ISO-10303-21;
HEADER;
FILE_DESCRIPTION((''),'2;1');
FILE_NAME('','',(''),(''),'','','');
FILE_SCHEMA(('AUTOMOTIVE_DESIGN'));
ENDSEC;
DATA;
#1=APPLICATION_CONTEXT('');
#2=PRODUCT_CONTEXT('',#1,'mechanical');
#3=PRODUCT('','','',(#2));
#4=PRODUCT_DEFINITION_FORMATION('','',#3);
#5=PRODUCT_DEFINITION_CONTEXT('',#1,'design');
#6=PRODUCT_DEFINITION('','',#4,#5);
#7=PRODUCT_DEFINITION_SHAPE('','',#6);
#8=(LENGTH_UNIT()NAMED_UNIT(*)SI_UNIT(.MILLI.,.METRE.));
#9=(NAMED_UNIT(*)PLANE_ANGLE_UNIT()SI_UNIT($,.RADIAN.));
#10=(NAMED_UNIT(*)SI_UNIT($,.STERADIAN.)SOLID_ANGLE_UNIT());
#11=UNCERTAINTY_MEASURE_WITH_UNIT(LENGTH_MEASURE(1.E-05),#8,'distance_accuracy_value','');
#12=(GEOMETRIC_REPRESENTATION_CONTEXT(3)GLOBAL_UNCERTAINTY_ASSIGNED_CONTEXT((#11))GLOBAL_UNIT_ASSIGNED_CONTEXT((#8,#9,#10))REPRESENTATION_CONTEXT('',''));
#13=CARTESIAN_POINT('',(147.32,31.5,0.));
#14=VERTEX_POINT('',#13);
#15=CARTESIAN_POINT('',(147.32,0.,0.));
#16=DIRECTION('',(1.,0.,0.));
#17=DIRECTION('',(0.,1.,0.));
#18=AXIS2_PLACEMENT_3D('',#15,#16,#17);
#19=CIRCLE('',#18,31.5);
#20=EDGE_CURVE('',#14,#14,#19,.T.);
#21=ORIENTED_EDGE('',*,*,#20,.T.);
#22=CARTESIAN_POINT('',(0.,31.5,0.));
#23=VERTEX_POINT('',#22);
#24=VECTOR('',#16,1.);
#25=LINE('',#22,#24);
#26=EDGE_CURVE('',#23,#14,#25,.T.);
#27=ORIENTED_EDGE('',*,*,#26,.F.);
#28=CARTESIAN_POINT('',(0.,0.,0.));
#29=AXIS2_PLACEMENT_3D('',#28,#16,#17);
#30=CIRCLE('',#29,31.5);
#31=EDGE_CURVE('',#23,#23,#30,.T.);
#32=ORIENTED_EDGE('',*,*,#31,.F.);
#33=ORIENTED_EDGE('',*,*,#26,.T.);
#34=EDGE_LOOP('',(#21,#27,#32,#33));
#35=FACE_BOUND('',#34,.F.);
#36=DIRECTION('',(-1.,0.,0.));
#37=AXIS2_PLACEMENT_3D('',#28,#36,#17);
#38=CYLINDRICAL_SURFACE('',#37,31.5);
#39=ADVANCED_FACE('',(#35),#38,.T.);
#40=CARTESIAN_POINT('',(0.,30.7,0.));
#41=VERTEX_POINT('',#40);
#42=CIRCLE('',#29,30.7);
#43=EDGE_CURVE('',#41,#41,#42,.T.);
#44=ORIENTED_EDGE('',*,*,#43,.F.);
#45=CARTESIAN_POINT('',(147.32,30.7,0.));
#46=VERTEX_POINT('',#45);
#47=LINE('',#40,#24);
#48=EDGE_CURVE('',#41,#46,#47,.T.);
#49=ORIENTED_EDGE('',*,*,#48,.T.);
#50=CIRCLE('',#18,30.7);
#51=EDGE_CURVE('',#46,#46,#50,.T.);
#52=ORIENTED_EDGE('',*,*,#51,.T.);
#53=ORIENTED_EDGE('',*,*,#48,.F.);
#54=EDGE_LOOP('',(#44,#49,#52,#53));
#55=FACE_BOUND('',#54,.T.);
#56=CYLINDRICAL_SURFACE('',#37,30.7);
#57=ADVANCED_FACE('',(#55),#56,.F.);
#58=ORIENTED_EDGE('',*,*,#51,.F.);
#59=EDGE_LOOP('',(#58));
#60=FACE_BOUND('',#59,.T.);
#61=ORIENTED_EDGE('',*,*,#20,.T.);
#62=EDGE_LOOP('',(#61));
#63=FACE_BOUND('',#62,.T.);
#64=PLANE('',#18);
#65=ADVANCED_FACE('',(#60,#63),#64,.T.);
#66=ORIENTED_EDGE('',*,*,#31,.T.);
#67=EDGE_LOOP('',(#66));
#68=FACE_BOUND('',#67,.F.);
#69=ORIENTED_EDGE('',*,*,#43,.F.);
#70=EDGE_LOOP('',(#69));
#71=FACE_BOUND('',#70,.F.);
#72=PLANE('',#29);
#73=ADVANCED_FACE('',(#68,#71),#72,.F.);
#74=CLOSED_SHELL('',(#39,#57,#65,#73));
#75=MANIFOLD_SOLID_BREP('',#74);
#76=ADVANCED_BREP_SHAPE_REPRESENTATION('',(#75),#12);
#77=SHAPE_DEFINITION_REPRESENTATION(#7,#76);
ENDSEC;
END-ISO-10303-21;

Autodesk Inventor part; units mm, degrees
ref_plane "YZ Plane" through (0, 0, 0) normal (1, 0, 0) x (0, 1, 0)
ref_plane "XZ Plane" through (0, 0, 0) normal (0, 1, 0) x (-1, 0, 0)
ref_plane "XY Plane" through (0, 0, 0) normal (0, 0, 1) x (1, 0, 0)
sketch "Sketch1" plane through (0, 0, 0) normal (1, 0, 0) x (0, 1, 0)
  circle A0 centre (0, 0) radius 31.5
  circle A1 centre (0, 0) radius 30.7
  dimension "d0" = 63
  dimension "d1" = 0.8
extrude "Extrusion1" add sketch "Sketch1" along normal blind 147.32
equation "\"d0\" = OD"
equation "\"d1\" = t"
equation "\"d2\" = L"
equation "\"OD\" = 63"
equation "\"t\" = 0.8"
equation "\"L\" = PL"
equation "\"ID\" = 61.4"
equation "\"PL\" = 147.32"
properties part number "ISO 4065 Pipe DN63x0.8xS40 - 160.02000000" material "PVC-Piping"
